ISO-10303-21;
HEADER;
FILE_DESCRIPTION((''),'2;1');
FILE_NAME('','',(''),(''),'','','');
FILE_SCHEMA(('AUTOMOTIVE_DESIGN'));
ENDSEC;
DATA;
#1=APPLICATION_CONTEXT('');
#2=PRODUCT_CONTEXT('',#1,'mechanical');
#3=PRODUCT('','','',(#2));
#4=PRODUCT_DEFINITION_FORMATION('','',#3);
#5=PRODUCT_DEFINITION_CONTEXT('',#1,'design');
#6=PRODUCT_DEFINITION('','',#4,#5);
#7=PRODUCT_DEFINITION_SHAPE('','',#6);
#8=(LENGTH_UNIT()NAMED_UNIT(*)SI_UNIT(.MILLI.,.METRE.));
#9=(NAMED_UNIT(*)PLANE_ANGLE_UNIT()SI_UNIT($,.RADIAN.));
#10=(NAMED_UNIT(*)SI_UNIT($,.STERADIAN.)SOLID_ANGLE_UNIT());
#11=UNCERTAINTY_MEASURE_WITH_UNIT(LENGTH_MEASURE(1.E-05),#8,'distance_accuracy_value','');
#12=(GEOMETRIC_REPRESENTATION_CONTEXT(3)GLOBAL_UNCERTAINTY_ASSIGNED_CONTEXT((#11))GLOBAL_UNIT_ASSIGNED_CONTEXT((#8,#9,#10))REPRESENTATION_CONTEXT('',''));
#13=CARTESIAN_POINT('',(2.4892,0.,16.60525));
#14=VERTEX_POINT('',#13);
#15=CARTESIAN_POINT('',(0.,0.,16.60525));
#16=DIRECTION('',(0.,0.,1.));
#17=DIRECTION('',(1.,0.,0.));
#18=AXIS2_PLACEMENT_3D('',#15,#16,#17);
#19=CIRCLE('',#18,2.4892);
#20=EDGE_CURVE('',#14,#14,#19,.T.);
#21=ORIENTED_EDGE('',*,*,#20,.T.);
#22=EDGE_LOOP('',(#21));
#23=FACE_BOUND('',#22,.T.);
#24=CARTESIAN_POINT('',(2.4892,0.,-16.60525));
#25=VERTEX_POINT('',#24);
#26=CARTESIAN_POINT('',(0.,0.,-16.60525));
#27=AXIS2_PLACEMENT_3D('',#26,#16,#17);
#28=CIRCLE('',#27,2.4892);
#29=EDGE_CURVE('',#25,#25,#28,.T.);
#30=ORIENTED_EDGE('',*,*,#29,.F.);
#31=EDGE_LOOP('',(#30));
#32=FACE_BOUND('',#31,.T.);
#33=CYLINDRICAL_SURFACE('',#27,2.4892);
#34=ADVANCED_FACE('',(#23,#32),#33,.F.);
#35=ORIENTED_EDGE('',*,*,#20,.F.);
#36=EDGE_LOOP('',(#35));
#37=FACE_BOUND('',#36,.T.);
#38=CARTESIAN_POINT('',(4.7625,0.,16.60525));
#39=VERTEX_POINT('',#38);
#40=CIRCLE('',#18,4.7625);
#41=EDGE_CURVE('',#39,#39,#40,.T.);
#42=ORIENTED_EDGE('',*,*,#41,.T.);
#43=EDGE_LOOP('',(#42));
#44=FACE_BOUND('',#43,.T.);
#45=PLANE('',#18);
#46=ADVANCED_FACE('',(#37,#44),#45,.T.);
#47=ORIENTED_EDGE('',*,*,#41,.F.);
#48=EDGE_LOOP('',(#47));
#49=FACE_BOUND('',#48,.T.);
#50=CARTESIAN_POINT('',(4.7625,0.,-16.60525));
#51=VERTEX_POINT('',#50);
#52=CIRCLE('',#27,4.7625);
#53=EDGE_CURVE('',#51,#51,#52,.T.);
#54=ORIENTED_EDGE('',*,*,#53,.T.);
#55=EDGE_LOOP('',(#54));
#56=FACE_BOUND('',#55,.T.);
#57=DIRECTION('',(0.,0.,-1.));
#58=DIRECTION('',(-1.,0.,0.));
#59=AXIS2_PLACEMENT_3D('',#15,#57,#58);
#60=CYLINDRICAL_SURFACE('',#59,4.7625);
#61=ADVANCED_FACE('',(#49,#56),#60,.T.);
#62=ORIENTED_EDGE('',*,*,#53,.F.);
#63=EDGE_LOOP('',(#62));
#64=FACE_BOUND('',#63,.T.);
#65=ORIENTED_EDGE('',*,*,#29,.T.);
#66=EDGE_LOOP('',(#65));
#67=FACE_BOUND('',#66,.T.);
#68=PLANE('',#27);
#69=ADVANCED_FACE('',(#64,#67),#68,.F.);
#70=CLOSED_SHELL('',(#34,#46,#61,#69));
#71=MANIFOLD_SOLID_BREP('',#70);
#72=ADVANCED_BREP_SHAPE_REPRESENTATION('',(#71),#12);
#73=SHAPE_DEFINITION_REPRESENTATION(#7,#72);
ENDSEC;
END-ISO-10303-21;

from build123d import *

# Parameters (mm, degrees)
SKETCH1_R           = 4.7625
BOSS_EXTRUDE1_DEPTH = 16.60525
SKETCH2_R           = 2.4892
CUT_EXTRUDE1_DEPTH  = 34.886577324


with BuildPart() as part:
    # Sketch1 → Boss-Extrude1 (new, symmetric)
    with BuildSketch(Plane.XY):
        Circle(SKETCH1_R)
    extrude(amount=BOSS_EXTRUDE1_DEPTH, both=True)

    # Sketch2 → Cut-Extrude1 (cut, through all)
    with BuildSketch(Plane.XY.offset(16.60525)):
        Circle(SKETCH2_R)
    extrude(amount=-CUT_EXTRUDE1_DEPTH, mode=Mode.SUBTRACT)


solid = part.part
